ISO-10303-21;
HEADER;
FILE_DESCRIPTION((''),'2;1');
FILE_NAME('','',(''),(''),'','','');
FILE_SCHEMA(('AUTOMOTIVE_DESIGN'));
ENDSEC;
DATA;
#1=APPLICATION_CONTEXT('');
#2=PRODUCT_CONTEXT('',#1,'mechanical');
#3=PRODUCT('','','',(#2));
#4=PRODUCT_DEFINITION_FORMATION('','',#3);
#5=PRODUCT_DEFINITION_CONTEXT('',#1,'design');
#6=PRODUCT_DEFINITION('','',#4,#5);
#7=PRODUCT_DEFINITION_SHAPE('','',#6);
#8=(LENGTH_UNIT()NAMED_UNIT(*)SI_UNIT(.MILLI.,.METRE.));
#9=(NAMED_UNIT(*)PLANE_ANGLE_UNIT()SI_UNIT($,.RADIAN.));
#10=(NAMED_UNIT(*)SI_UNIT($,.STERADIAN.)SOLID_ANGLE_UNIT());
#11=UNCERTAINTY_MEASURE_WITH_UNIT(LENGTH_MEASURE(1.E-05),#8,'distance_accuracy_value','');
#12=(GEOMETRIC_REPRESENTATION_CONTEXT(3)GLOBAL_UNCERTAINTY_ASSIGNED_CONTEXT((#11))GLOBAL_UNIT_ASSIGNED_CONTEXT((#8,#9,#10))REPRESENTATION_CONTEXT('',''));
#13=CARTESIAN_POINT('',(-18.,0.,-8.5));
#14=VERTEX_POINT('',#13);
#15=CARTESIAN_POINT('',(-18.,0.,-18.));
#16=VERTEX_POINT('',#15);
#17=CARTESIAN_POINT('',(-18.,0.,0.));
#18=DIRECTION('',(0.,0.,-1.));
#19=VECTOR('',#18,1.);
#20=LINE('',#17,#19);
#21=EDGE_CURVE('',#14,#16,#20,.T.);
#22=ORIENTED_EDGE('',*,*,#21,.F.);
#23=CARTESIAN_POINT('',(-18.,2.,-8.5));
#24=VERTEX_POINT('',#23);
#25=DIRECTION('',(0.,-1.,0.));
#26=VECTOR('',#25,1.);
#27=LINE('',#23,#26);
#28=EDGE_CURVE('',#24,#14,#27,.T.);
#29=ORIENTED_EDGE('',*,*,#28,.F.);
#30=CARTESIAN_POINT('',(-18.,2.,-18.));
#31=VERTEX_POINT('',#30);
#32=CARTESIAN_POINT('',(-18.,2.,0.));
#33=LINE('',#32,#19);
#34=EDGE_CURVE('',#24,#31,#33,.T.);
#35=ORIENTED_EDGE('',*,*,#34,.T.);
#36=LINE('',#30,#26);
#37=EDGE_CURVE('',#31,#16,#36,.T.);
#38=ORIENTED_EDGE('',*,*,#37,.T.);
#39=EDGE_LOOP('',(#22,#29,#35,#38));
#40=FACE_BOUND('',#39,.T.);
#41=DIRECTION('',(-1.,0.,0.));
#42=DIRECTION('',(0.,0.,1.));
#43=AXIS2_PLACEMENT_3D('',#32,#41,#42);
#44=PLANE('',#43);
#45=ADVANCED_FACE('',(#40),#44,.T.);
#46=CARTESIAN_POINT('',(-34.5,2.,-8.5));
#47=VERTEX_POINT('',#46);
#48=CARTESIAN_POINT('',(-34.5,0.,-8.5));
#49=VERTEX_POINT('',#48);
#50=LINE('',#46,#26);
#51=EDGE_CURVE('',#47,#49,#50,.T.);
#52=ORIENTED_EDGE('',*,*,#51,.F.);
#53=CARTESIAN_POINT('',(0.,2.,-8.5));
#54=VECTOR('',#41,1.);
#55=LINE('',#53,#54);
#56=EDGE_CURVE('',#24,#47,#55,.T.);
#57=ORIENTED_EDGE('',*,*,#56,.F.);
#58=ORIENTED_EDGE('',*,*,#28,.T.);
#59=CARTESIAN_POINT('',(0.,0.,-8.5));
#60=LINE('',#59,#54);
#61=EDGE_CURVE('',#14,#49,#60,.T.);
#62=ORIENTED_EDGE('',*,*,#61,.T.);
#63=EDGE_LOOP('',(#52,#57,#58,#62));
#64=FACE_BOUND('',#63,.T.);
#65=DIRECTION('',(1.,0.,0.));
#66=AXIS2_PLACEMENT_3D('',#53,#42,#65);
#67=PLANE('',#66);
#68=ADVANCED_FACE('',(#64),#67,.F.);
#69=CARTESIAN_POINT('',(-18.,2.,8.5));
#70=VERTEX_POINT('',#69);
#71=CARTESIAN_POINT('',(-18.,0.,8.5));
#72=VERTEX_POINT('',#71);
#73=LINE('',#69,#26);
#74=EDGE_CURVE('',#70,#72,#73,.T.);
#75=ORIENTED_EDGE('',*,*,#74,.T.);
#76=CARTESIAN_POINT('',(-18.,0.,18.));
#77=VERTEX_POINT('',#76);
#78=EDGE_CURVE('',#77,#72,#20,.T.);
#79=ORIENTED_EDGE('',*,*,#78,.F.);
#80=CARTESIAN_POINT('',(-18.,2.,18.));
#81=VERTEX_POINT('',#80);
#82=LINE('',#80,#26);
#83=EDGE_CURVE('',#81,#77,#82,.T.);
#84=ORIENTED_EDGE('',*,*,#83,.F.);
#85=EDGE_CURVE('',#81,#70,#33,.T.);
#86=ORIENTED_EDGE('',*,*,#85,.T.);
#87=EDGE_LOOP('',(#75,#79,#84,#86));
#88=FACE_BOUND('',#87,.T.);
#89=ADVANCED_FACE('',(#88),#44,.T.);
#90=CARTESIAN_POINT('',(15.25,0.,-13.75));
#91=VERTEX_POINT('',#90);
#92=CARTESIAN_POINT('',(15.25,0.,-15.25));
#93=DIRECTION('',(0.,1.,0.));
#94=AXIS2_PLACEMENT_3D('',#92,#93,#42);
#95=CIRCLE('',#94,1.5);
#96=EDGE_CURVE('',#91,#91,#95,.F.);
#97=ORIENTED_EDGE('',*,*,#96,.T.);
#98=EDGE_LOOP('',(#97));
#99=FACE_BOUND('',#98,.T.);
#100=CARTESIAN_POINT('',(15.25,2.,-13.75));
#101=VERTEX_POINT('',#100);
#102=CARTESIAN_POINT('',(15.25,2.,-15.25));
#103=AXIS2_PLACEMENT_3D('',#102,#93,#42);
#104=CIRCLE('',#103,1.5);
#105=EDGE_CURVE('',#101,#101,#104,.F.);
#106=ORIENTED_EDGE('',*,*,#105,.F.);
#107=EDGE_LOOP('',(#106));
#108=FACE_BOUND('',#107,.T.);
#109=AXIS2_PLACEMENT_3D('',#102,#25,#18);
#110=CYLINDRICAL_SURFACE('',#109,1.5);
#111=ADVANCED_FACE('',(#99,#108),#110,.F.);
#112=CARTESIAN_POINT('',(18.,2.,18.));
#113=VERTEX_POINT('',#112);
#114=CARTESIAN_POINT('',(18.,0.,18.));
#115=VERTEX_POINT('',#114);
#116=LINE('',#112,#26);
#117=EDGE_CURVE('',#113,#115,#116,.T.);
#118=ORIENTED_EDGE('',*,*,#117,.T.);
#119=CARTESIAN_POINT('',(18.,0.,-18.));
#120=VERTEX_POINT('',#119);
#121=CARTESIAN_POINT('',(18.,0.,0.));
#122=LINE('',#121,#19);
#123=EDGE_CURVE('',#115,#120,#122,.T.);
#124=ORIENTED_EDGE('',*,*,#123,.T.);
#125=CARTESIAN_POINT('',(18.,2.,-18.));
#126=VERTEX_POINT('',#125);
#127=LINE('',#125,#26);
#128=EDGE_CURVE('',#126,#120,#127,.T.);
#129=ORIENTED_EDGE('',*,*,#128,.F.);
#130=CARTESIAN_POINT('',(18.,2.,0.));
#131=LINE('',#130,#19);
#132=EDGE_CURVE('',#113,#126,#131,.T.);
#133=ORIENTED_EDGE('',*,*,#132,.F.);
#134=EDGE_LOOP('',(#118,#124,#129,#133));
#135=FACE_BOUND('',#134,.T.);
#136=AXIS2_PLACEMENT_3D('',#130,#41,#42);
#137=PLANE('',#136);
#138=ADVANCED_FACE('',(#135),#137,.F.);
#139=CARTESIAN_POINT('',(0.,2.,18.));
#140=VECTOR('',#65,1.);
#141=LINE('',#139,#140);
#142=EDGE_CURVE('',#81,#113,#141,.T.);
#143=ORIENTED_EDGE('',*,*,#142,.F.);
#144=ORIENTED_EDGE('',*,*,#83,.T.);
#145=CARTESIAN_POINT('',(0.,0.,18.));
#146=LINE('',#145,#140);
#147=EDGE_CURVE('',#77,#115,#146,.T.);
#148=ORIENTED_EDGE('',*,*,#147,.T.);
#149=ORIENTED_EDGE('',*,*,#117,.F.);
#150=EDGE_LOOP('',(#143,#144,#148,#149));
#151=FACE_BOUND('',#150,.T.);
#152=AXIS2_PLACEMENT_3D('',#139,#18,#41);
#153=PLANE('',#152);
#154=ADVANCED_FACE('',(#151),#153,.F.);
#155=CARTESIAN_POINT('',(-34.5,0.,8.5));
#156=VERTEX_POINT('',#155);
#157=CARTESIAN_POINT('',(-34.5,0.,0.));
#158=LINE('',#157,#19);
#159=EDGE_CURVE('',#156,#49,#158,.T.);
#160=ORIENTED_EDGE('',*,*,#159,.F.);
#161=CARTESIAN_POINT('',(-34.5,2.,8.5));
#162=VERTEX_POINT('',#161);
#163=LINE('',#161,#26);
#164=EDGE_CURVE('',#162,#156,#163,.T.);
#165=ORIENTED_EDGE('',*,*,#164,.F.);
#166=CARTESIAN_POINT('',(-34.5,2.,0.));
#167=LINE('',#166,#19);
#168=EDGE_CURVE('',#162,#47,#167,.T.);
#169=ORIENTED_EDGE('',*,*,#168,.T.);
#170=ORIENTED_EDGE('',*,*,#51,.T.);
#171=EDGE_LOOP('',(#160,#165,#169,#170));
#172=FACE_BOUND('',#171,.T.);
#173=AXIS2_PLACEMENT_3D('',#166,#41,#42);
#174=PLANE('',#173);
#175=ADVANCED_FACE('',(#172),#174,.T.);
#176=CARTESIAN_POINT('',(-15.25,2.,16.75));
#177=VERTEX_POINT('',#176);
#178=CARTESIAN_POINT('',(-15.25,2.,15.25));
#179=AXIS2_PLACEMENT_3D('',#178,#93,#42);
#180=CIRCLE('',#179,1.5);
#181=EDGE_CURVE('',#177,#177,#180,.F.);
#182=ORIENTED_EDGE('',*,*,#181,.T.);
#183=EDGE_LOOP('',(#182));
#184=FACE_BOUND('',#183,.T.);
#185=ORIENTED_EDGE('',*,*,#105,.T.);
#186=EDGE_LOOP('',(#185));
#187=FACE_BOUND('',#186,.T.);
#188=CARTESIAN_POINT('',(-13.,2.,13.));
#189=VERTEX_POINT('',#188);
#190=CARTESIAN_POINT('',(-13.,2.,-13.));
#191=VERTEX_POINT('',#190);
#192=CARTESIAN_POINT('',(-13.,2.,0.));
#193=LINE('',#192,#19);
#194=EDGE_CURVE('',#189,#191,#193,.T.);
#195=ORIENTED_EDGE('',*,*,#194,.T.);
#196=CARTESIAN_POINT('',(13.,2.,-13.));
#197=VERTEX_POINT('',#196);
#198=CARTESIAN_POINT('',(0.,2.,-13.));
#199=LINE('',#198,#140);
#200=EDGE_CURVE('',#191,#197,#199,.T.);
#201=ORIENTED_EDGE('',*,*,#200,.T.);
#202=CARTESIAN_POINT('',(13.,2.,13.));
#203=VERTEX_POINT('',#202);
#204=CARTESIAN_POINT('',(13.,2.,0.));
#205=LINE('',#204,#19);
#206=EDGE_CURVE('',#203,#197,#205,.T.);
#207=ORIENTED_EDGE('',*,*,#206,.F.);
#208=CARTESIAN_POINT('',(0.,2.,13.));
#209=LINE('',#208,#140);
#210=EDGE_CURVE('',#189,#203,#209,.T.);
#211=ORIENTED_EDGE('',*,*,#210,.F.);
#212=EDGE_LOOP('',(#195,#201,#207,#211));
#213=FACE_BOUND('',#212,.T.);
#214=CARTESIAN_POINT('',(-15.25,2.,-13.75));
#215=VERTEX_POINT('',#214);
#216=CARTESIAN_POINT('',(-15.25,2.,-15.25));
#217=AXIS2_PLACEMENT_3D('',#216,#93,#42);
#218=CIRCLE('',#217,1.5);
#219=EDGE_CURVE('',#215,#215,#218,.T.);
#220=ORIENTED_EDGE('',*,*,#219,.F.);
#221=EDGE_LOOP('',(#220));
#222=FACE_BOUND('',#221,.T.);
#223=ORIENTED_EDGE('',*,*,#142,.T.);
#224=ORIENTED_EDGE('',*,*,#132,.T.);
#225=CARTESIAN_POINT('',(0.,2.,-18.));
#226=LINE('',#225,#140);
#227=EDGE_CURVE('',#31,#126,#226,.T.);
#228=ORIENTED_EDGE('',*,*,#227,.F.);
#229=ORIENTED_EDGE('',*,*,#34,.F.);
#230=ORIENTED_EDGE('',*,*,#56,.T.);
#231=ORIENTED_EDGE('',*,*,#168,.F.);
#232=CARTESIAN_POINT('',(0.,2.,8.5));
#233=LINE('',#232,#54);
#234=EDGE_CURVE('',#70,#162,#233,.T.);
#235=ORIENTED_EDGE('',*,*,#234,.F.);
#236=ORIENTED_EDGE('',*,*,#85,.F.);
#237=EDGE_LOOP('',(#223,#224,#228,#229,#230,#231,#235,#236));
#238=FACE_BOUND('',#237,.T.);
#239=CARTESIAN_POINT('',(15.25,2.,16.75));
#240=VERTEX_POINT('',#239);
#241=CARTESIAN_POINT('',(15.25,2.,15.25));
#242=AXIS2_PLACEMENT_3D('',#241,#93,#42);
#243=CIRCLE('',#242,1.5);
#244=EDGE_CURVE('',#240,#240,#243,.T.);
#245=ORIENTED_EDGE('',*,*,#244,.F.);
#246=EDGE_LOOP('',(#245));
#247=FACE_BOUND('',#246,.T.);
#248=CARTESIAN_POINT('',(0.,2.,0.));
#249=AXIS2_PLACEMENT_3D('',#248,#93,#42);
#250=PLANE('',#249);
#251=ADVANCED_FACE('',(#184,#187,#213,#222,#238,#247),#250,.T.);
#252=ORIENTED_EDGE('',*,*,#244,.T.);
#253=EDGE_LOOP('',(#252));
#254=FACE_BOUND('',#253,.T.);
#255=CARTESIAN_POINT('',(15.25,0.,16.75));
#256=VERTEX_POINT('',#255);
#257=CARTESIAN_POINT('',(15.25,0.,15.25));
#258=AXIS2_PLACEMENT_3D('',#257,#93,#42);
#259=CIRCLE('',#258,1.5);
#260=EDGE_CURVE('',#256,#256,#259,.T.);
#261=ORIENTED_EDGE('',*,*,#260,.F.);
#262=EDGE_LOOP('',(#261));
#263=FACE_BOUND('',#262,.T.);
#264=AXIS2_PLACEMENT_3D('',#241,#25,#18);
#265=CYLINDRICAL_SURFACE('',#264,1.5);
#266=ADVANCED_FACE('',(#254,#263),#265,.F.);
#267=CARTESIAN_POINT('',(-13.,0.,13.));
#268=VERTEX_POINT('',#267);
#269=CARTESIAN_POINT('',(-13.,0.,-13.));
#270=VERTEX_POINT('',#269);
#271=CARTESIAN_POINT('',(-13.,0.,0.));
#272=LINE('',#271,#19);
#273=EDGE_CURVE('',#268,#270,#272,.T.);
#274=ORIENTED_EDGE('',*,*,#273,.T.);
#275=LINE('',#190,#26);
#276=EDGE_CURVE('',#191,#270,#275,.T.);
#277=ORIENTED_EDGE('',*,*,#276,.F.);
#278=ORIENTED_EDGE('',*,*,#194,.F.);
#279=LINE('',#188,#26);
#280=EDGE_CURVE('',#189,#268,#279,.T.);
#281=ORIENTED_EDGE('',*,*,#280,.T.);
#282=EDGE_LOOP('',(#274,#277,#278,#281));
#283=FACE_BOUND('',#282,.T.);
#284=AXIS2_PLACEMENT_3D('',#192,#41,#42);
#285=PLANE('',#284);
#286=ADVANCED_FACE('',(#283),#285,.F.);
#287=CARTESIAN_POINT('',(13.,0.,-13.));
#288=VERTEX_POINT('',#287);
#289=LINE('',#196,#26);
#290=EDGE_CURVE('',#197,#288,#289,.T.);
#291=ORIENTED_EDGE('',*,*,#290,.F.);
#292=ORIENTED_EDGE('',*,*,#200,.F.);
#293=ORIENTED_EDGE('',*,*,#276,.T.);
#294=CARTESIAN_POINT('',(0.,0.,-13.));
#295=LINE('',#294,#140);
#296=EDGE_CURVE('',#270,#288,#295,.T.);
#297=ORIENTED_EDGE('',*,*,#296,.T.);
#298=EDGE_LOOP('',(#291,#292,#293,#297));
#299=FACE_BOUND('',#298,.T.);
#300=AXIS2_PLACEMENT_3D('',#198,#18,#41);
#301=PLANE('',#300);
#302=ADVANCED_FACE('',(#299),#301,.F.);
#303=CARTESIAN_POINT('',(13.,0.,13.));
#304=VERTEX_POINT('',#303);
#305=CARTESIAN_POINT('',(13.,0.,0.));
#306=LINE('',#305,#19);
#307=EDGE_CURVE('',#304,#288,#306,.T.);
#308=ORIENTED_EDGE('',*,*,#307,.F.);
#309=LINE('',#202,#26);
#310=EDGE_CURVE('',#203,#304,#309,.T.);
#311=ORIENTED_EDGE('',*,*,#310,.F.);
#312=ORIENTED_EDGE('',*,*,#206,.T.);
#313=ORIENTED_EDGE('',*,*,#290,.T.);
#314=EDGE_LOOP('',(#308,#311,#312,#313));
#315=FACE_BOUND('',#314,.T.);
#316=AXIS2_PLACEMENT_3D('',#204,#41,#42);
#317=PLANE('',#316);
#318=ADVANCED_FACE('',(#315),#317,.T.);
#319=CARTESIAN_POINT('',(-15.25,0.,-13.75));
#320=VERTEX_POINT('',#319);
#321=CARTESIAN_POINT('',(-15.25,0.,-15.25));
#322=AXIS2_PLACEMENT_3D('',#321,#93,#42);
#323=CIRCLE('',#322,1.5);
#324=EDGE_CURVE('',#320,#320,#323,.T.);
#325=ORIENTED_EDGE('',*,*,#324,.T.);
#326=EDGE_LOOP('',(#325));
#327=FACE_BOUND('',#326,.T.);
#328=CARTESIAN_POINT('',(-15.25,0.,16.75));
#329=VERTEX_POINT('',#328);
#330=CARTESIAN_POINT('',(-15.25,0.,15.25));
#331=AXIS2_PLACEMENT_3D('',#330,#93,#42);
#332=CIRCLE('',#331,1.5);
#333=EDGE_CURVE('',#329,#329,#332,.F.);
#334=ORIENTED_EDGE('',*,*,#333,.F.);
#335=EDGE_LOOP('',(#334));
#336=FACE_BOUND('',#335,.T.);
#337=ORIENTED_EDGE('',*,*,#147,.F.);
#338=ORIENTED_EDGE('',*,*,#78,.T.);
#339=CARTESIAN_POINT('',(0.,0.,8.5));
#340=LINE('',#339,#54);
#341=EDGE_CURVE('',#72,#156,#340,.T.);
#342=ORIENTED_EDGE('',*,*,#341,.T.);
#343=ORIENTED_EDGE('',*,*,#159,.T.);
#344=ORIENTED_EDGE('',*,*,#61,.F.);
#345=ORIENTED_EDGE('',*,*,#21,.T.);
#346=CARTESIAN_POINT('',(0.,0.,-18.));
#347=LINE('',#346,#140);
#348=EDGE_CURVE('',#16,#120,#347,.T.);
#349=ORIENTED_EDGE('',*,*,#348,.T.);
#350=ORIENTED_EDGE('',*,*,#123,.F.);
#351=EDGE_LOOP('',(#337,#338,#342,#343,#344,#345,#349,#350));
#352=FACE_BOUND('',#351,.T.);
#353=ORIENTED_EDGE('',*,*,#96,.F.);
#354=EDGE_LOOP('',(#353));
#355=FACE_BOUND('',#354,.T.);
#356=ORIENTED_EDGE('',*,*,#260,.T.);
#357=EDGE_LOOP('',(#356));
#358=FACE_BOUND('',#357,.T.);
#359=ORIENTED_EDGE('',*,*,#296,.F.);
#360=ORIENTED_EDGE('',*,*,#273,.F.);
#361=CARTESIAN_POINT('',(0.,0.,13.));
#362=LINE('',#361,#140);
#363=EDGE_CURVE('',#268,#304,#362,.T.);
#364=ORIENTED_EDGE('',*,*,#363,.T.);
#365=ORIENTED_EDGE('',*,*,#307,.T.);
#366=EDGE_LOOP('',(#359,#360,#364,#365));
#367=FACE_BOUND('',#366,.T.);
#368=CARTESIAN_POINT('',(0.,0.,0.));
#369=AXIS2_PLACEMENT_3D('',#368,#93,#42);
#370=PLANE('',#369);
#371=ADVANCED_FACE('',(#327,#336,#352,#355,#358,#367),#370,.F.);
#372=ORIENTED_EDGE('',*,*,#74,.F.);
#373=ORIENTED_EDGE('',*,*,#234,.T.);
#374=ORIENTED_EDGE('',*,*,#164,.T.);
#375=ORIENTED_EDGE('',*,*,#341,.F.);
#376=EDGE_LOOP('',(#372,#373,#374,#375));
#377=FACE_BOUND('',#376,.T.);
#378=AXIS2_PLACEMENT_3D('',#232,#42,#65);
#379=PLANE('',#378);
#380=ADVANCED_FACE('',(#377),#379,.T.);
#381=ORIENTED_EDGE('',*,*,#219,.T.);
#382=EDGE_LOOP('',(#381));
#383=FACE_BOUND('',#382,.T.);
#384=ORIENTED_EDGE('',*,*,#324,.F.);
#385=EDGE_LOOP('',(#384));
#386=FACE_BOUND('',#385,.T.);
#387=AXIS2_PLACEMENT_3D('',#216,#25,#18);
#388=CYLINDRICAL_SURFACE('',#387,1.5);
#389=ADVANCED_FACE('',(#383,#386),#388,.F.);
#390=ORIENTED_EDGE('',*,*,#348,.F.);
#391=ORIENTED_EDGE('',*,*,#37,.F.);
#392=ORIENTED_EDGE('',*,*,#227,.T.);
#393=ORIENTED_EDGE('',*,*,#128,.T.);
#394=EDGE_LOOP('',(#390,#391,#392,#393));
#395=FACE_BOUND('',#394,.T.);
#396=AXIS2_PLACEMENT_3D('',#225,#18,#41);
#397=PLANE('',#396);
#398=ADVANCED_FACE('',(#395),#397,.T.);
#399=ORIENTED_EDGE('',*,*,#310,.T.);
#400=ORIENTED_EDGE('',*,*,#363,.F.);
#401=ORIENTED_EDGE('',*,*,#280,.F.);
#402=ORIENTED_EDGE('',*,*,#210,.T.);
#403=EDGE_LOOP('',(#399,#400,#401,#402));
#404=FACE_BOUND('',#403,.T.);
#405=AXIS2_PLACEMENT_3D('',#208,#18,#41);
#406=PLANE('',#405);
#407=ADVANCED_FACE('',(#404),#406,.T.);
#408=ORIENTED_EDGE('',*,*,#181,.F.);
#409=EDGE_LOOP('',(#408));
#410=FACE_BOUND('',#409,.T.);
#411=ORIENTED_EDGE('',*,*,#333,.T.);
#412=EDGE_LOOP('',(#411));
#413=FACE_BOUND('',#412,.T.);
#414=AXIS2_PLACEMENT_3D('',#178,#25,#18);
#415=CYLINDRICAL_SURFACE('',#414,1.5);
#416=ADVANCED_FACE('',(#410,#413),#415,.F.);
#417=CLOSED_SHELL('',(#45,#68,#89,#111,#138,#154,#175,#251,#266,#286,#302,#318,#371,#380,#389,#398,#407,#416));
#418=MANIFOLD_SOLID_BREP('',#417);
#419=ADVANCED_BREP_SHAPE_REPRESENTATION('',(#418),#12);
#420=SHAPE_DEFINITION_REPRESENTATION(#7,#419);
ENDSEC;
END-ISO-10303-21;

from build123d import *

# Parameters (mm, degrees)
CROQUIS1_W              = 16.5
CROQUIS1_H              = 17
CROQUIS1_R              = 1.5
CROQUIS1_W_2            = 5
SALIENTE_EXTRUIR1_DEPTH = 2


with BuildPart() as part:
    # Croquis1 → Saliente-Extruir1 (new body)
    # profile 1 of 3: a face of its own
    with BuildSketch(Plane(origin=(0, 0, 0), x_dir=(1, 0, 0), z_dir=(0, 1, 0))):
        with Locations((-26.25, 0)):
            Rectangle(CROQUIS1_W, CROQUIS1_H)
    # profile 2 of 3: a face of its own
    with BuildSketch(Plane(origin=(0, 0, 0), x_dir=(1, 0, 0), z_dir=(0, 1, 0))):
        Polygon((13, -13), (-13, -13), (-13, -8.5), (-18, -8.5), (-18, -18), (18, -18), (18, 18), (-18, 18), (-18, 8.5), (-13, 8.5), (-13, 13), (13, 13), align=None)
        with Locations(Location((-15.25, -15.25, 0), (0, 0, 270))):
            Circle(CROQUIS1_R, mode=Mode.SUBTRACT)
        with Locations(Location((15.25, -15.25, 0), (0, 0, 270))):
            Circle(CROQUIS1_R, mode=Mode.SUBTRACT)
        with Locations(Location((-15.25, 15.25, 0), (0, 0, 270))):
            Circle(CROQUIS1_R, mode=Mode.SUBTRACT)
        with Locations(Location((15.25, 15.25, 0), (0, 0, 270))):
            Circle(CROQUIS1_R, mode=Mode.SUBTRACT)
    # profile 3 of 3: a face of its own
    with BuildSketch(Plane(origin=(0, 0, 0), x_dir=(1, 0, 0), z_dir=(0, 1, 0))):
        with Locations((-15.5, 0)):
            Rectangle(CROQUIS1_W_2, CROQUIS1_H)
    extrude(amount=SALIENTE_EXTRUIR1_DEPTH)


solid = part.part
